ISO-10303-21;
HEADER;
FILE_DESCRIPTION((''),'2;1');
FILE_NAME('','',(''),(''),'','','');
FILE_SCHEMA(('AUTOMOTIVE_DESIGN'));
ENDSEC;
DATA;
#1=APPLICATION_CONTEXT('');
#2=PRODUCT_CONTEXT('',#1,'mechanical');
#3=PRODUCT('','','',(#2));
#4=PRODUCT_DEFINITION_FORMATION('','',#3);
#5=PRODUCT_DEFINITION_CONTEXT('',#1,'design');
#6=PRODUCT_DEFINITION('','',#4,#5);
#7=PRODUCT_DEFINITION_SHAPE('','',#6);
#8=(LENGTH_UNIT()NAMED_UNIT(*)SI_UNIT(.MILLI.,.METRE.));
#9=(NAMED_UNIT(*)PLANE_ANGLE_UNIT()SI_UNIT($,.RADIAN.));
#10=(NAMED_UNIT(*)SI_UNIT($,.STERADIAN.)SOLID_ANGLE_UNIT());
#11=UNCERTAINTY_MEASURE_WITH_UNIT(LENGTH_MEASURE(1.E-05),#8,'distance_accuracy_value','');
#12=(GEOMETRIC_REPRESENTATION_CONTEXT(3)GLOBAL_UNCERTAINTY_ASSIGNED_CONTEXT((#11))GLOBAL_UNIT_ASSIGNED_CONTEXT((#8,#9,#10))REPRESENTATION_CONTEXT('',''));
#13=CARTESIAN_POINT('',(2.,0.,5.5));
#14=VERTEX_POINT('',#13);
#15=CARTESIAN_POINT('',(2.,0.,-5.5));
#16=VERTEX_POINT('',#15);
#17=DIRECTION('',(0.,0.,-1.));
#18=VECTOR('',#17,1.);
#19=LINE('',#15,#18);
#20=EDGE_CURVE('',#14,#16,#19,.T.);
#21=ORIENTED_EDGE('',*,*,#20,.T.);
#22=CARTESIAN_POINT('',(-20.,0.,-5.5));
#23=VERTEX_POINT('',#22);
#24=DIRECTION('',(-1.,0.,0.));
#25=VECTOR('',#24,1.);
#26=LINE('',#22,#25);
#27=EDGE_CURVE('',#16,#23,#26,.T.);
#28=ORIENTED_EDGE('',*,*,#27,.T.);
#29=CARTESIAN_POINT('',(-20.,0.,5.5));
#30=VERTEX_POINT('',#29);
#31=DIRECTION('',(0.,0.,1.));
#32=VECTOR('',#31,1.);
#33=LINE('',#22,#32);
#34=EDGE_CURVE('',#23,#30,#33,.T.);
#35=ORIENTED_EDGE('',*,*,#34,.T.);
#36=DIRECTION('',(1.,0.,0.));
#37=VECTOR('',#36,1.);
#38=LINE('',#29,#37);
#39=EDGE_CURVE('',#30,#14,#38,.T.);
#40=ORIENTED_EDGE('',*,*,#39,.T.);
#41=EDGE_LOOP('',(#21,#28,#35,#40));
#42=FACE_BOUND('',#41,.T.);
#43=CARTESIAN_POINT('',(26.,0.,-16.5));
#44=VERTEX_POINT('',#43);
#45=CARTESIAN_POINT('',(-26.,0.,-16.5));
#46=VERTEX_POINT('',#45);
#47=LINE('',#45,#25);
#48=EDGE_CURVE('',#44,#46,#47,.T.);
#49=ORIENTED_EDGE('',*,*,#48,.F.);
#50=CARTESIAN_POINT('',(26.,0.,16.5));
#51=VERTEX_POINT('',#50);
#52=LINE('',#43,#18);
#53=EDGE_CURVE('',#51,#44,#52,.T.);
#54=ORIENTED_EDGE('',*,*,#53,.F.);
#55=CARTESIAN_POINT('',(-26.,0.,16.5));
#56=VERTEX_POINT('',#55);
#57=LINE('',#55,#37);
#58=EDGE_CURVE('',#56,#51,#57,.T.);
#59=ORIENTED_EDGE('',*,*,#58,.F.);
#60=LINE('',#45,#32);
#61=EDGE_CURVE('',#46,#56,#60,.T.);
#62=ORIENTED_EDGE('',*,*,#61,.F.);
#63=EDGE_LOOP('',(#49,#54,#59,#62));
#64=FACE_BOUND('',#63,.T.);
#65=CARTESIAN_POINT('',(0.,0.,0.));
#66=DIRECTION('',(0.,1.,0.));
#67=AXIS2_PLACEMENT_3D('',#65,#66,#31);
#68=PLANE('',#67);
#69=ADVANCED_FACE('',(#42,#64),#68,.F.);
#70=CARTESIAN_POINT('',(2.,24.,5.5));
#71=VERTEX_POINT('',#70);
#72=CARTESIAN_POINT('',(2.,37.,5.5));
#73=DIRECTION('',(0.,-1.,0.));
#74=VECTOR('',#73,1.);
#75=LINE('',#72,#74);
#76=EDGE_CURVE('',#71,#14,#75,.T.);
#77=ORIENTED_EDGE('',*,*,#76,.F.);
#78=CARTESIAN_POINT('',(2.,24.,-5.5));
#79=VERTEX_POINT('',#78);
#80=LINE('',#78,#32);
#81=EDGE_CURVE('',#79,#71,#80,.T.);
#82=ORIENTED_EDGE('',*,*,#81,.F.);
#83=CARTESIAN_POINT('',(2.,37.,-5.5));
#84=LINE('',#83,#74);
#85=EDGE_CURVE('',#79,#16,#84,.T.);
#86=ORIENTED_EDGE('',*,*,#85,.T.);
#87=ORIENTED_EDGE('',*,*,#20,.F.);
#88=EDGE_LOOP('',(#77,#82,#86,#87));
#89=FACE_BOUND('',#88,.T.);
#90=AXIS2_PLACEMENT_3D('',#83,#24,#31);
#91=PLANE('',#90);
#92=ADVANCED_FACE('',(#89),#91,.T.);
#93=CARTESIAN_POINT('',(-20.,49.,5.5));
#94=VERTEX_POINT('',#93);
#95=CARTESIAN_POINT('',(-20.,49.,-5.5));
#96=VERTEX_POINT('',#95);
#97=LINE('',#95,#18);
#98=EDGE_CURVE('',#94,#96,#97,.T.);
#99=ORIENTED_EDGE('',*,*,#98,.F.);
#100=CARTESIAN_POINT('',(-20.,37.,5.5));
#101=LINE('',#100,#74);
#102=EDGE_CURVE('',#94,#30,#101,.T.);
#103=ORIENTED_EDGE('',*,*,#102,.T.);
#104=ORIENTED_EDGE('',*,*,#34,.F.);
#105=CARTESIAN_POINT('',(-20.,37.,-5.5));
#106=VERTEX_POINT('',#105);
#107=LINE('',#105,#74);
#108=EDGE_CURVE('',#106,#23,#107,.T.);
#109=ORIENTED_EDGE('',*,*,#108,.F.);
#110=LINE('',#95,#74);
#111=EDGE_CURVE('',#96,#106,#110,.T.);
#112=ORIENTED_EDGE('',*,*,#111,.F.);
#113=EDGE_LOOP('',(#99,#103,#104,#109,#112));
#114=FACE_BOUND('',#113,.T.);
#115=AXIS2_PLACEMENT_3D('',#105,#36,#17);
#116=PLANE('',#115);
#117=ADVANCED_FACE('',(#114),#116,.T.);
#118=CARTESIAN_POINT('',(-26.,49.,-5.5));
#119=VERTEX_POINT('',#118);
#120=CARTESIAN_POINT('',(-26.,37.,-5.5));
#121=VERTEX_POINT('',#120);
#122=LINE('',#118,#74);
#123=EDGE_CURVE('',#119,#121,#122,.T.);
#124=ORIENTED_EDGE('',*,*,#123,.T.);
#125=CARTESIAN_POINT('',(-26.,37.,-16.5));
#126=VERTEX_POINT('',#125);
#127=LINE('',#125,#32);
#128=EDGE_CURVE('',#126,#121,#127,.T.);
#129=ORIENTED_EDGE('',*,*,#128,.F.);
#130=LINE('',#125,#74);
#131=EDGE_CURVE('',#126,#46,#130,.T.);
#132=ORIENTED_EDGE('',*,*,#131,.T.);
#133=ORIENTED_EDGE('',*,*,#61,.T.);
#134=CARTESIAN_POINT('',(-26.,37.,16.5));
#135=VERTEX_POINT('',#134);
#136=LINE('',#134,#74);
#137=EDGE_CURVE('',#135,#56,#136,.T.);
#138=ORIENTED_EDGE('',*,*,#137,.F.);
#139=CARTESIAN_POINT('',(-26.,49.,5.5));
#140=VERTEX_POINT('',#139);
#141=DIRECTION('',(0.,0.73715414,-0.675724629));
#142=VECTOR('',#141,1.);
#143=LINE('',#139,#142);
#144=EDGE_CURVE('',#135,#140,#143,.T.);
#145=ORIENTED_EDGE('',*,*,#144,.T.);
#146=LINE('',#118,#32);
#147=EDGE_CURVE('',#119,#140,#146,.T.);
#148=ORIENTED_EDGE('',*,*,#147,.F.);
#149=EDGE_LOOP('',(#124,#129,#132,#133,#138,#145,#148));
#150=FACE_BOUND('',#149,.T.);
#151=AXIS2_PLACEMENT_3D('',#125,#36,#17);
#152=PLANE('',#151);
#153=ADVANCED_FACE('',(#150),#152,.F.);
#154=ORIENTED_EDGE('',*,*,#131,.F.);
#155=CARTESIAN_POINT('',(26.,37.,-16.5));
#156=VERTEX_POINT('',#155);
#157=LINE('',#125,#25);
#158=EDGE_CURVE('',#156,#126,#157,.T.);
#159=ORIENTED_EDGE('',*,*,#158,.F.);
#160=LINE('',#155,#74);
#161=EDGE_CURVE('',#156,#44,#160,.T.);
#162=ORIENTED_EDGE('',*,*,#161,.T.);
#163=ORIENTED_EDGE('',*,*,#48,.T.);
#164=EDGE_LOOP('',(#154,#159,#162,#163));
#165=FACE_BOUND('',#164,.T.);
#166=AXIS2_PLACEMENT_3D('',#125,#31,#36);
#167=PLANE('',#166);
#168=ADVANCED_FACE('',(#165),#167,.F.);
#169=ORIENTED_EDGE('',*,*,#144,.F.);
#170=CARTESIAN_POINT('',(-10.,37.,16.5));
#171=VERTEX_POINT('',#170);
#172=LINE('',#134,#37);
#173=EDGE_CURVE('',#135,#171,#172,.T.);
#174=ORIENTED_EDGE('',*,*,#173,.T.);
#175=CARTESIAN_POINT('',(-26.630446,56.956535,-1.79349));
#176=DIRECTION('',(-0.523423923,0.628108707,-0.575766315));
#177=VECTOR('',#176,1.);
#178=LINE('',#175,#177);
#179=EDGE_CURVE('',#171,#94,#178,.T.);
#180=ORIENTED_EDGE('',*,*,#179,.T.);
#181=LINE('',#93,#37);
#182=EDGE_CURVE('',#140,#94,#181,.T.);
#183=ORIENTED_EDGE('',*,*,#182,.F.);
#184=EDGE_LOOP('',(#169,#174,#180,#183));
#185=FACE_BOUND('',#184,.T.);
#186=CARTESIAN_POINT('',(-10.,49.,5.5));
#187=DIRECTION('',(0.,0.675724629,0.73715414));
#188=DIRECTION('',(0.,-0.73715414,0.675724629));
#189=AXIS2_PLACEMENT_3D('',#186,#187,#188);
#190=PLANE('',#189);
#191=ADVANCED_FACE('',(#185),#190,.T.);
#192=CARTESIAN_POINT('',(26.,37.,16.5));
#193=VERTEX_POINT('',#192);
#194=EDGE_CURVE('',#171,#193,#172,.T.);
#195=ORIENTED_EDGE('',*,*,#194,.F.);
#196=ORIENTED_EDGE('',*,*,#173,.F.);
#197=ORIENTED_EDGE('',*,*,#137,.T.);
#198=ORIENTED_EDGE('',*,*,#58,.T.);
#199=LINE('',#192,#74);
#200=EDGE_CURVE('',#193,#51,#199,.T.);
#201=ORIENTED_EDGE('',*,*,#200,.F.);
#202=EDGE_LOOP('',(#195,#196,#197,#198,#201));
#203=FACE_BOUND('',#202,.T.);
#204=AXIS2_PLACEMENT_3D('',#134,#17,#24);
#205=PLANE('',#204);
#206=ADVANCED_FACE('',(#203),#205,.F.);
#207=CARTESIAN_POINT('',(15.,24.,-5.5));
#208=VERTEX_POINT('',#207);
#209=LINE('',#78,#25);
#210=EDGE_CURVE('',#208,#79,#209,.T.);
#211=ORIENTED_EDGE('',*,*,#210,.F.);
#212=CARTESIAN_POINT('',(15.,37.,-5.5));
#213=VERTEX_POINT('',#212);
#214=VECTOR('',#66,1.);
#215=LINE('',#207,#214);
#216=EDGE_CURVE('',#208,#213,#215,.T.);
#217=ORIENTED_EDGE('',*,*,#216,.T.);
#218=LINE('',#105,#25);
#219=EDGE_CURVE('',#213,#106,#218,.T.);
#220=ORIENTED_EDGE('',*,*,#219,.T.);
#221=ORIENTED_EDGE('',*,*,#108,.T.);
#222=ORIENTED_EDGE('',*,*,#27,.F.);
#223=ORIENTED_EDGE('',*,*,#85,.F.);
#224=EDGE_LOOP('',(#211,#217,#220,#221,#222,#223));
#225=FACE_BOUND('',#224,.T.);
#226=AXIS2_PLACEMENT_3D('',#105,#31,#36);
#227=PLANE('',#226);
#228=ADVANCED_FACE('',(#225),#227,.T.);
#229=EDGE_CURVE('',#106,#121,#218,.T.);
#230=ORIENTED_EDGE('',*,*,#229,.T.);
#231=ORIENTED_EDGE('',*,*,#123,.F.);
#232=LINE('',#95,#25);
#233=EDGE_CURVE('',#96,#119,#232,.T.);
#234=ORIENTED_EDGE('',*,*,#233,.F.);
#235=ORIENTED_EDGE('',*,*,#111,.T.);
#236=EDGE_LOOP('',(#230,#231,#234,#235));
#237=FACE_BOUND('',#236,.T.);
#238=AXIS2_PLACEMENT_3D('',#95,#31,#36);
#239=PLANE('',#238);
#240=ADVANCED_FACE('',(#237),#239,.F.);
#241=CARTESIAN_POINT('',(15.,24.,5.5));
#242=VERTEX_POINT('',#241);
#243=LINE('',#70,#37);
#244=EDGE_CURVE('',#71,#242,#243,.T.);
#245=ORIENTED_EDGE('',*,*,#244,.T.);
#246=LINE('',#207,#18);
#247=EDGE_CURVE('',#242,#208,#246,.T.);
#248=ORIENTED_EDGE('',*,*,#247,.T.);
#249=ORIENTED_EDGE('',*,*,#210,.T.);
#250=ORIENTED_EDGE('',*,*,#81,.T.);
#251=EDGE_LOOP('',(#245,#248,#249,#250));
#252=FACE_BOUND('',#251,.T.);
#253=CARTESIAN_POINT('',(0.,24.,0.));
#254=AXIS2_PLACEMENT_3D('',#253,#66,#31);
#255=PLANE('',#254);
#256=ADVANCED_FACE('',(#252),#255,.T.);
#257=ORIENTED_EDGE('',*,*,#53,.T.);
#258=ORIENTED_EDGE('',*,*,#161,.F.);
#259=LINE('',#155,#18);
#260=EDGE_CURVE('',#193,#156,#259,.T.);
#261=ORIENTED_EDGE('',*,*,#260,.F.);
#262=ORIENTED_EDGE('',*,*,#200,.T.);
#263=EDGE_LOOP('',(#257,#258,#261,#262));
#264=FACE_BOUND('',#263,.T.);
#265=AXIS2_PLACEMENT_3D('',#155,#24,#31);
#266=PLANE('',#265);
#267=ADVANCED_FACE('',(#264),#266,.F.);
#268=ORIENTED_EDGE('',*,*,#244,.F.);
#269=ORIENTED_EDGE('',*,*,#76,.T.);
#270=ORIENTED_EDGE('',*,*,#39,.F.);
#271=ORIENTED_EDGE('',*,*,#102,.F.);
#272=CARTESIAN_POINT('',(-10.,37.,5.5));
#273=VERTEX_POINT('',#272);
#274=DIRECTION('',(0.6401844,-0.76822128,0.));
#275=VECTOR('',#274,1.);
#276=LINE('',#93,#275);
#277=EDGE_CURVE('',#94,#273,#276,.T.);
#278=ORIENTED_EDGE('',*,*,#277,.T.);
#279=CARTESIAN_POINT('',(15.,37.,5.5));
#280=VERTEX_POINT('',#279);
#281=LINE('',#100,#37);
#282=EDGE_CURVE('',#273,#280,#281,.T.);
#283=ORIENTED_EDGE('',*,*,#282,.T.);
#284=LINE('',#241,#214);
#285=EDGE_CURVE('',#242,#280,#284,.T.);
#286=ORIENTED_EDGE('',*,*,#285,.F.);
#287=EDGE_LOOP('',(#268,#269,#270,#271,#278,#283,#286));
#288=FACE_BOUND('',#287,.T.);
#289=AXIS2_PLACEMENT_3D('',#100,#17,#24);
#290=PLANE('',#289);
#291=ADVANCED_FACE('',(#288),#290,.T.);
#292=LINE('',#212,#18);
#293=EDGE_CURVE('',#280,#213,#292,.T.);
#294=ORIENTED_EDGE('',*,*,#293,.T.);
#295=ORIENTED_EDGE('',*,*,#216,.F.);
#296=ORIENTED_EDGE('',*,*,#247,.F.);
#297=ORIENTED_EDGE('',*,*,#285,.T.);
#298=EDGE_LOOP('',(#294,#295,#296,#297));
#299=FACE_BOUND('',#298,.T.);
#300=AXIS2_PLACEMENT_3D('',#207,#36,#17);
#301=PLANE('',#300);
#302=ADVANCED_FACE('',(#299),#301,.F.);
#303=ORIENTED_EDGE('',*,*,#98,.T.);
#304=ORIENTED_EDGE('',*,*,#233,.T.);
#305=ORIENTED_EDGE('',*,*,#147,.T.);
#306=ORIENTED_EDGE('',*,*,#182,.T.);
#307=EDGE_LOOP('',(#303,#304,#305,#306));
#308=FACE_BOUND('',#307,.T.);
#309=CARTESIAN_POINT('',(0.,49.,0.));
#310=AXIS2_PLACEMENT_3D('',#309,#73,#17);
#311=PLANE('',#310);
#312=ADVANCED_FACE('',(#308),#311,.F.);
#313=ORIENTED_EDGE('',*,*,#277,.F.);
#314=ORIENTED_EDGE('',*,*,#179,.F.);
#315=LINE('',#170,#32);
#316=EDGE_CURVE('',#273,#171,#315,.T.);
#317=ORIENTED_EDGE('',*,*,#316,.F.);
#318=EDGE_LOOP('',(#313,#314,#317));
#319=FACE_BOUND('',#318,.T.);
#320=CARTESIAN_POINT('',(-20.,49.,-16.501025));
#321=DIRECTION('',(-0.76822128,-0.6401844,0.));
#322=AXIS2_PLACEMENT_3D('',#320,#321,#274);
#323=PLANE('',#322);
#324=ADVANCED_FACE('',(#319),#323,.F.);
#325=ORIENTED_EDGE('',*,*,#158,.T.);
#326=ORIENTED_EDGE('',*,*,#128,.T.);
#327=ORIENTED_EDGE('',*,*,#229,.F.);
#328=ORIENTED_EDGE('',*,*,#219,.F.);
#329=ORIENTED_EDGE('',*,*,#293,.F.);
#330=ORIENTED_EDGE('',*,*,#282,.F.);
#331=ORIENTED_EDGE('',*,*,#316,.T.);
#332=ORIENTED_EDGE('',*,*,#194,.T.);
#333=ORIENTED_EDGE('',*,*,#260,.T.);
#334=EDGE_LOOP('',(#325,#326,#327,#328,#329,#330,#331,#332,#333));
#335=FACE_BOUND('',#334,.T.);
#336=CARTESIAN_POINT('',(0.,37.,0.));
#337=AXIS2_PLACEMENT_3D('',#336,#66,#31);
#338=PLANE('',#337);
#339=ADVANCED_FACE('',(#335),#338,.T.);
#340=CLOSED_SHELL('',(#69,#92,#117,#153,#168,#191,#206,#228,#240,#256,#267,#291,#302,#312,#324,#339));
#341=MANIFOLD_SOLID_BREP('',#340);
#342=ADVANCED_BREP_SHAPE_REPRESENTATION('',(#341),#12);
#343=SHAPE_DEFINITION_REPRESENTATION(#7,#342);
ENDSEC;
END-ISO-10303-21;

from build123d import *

# Parameters (mm, degrees)
SKETCH_1_W          = 52
SKETCH_1_H          = 33
SKETCH_1_W_2        = 22
SKETCH_1_H_2        = 11
EXTRUDE_1_DEPTH     = 37
SKETCH_3_W          = 13
SKETCH_3_H          = 11
CUT_EXTRUDE_1_DEPTH = 13
SKETCH_4_W          = 6
SKETCH_4_H          = 11
EXTRUDE_2_DEPTH     = 12
EXTRUDE_4_DEPTH     = 16
CUT_EXTRUDE_2_REACH = 35


with BuildPart() as part:
    # 草图1 → 凸台-拉伸1 (new body)
    with BuildSketch(Plane(origin=(0, 0, 0), x_dir=(1, 0, 0), z_dir=(0, 1, 0))):
        Rectangle(SKETCH_1_W, SKETCH_1_H)
        with Locations((-9, 0)):
            Rectangle(SKETCH_1_W_2, SKETCH_1_H_2, mode=Mode.SUBTRACT)
    extrude(amount=EXTRUDE_1_DEPTH)

    # 草图3 → 切除-拉伸1 (cut)
    with BuildSketch(Plane(origin=(0, 37, 0), x_dir=(1, 0, 0), z_dir=(0, 1, 0))):
        with Locations((8.5, 0)):
            Rectangle(SKETCH_3_W, SKETCH_3_H)
    extrude(amount=-CUT_EXTRUDE_1_DEPTH, mode=Mode.SUBTRACT)

    # 草图4 → 凸台-拉伸2 (add)
    with BuildSketch(Plane(origin=(0, 37, 0), x_dir=(1, 0, 0), z_dir=(0, 1, 0))):
        with Locations((-23, 0)):
            Rectangle(SKETCH_4_W, SKETCH_4_H)
    extrude(amount=EXTRUDE_2_DEPTH)

    # 草图6 → 凸台-拉伸4 (add)
    with BuildSketch(Plane.ZY.offset(26)):
        Polygon((5.5, 49), (16.5, 37), (5.5, 37), align=None)
    extrude(amount=-EXTRUDE_4_DEPTH)

    # 草图7 → 切除-拉伸2 (cut, up to next)
    with BuildSketch(Plane.XY.offset(16.5), mode=Mode.PRIVATE) as cut_extrude_2_sk1:
        Polygon((-20, 49), (-10, 37), (-10, 49), align=None)
    cut_extrude_2_tool1 = extrude(cut_extrude_2_sk1.sketch, amount=-CUT_EXTRUDE_2_REACH, mode=Mode.PRIVATE) & part.part
    add(cut_extrude_2_tool1.solids().sort_by_distance((-13.333333, 45, 16.5))[0], mode=Mode.SUBTRACT)


solid = part.part
